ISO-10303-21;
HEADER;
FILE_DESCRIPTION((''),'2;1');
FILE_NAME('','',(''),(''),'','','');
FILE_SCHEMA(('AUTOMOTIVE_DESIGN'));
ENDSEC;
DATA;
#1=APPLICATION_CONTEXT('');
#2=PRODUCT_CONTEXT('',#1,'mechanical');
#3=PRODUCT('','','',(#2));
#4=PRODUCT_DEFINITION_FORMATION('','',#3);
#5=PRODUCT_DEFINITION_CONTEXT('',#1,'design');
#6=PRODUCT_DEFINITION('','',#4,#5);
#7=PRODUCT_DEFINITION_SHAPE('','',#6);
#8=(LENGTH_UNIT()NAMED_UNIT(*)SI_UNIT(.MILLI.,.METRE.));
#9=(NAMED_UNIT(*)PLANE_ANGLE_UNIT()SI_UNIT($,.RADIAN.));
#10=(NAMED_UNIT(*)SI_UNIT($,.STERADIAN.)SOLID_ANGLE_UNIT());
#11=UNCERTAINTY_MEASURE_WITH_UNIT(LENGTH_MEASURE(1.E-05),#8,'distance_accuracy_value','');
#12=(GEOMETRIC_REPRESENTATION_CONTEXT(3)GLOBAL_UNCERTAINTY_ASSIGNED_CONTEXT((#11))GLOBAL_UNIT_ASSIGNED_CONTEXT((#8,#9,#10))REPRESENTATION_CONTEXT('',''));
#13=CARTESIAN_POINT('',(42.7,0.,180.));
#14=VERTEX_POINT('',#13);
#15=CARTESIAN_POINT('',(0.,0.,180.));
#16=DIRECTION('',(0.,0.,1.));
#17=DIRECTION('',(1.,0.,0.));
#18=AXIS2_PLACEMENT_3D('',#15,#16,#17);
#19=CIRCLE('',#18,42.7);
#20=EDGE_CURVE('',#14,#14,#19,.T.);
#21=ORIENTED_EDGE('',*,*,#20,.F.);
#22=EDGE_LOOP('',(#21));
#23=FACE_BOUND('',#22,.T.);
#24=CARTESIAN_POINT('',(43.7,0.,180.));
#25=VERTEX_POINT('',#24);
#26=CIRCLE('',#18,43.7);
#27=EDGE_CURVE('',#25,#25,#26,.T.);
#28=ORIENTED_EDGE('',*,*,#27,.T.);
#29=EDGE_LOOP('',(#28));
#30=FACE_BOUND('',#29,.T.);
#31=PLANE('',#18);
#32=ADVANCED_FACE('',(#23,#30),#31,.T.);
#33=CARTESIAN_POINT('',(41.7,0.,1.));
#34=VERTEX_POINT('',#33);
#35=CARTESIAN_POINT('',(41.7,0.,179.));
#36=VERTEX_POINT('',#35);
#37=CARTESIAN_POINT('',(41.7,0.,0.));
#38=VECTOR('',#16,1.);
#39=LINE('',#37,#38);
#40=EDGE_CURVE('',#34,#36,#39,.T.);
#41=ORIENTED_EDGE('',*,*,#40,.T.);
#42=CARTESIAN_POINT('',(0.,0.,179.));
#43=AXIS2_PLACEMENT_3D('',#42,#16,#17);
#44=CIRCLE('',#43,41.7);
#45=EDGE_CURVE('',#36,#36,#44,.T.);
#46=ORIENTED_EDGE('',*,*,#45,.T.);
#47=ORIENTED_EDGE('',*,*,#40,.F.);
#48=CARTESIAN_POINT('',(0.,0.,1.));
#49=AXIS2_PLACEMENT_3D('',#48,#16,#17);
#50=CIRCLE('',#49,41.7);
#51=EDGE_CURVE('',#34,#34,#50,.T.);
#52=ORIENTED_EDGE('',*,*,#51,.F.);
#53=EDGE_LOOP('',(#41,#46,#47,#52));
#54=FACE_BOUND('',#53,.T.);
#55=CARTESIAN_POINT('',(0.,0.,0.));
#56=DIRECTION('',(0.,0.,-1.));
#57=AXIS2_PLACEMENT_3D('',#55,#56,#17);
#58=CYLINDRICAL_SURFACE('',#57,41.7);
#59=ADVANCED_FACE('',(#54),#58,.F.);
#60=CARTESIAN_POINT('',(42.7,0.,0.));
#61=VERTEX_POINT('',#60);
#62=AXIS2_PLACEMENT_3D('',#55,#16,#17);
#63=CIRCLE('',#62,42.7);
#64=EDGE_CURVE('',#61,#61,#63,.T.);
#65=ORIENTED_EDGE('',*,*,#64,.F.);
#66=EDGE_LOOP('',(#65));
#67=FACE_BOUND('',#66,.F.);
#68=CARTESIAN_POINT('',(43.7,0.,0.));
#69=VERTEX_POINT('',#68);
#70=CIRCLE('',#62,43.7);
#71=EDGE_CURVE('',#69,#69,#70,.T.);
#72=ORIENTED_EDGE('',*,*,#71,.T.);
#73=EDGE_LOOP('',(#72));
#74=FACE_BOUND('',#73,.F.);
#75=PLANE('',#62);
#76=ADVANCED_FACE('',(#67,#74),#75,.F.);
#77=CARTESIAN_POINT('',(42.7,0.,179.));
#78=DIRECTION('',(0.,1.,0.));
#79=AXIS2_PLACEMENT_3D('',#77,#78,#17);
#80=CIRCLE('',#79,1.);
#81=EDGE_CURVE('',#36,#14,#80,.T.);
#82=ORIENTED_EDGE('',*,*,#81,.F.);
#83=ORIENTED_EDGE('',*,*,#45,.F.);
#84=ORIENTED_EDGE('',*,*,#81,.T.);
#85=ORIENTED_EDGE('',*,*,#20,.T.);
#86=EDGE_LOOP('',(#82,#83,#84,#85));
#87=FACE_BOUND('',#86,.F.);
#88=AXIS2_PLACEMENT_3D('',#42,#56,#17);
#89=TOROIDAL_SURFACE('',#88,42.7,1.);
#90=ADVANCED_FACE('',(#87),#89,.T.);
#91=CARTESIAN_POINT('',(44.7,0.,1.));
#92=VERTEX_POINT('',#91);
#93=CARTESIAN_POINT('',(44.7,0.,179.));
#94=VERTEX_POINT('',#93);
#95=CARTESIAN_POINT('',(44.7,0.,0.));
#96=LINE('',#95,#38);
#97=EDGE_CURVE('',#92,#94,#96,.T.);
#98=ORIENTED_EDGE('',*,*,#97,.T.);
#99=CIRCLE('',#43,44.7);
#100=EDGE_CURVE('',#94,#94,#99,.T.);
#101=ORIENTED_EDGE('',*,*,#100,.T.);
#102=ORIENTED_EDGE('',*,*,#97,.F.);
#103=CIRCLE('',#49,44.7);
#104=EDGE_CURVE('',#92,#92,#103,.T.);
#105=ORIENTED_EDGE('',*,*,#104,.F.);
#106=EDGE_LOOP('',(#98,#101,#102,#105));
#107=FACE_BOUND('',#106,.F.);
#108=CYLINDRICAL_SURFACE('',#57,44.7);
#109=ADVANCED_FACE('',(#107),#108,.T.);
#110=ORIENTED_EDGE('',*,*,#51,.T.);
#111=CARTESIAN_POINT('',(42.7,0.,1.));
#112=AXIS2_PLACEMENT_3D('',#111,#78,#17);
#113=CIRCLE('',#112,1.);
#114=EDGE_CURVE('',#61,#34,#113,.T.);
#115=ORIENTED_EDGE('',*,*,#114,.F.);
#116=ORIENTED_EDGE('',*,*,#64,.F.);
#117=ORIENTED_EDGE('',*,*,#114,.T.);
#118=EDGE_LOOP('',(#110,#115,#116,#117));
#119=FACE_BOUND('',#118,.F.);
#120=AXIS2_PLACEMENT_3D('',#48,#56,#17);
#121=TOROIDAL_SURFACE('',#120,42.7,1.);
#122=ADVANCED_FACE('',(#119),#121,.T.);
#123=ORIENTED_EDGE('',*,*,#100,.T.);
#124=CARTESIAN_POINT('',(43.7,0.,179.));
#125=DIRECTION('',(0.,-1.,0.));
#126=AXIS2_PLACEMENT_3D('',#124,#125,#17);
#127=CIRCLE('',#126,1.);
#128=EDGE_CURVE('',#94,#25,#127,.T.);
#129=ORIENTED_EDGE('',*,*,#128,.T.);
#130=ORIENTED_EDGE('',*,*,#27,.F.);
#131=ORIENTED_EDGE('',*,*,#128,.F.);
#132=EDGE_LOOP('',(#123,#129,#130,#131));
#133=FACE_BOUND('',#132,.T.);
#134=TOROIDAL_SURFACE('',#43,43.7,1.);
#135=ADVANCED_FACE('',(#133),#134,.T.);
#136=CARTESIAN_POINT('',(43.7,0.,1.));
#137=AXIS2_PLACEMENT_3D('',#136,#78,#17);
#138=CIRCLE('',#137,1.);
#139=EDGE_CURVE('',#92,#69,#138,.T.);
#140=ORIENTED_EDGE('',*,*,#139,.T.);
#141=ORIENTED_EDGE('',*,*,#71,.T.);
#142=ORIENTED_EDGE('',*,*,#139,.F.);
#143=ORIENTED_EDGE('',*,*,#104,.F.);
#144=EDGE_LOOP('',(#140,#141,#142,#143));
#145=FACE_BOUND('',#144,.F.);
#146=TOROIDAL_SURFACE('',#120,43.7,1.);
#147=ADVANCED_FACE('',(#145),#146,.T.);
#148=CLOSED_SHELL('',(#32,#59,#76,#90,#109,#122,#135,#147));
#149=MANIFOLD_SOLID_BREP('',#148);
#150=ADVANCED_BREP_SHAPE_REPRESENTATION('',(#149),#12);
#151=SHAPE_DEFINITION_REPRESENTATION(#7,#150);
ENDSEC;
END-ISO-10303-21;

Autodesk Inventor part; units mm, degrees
ref_plane "YZ Plane" through (0, 0, 0) normal (1, 0, 0) x (0, 1, 0)
ref_plane "XZ Plane" through (0, 0, 0) normal (0, 1, 0) x (-1, 0, 0)
ref_plane "XY Plane" through (0, 0, 0) normal (0, 0, 1) x (1, 0, 0)
sketch "Sketch1" plane through (0, 0, 0) normal (0, 0, 1) x (1, 0, 0)
  circle A0 centre (0, 0) radius 44.7
  circle A1 centre (0, 0) radius 41.7
  dimension "d0" = 89.4
  dimension "d1" = 83.4
extrude "Extrusion1" add sketch "Sketch1" along normal blind 180
thread "Thread1" size "M16x2" class "6g" standard "ANSI Metric M Profile" full length
fillet "Fillet1" radius 1 2 edges at (-44.7, 0, 180) (-41.7, 0, 180)
fillet "Fillet2" radius 1 2 edges at (-41.7, 0, 0) (-44.7, 0, 0)
properties part number "4111_Bias_Coil_Layer4_MPSv2_v2" material "Copper"
